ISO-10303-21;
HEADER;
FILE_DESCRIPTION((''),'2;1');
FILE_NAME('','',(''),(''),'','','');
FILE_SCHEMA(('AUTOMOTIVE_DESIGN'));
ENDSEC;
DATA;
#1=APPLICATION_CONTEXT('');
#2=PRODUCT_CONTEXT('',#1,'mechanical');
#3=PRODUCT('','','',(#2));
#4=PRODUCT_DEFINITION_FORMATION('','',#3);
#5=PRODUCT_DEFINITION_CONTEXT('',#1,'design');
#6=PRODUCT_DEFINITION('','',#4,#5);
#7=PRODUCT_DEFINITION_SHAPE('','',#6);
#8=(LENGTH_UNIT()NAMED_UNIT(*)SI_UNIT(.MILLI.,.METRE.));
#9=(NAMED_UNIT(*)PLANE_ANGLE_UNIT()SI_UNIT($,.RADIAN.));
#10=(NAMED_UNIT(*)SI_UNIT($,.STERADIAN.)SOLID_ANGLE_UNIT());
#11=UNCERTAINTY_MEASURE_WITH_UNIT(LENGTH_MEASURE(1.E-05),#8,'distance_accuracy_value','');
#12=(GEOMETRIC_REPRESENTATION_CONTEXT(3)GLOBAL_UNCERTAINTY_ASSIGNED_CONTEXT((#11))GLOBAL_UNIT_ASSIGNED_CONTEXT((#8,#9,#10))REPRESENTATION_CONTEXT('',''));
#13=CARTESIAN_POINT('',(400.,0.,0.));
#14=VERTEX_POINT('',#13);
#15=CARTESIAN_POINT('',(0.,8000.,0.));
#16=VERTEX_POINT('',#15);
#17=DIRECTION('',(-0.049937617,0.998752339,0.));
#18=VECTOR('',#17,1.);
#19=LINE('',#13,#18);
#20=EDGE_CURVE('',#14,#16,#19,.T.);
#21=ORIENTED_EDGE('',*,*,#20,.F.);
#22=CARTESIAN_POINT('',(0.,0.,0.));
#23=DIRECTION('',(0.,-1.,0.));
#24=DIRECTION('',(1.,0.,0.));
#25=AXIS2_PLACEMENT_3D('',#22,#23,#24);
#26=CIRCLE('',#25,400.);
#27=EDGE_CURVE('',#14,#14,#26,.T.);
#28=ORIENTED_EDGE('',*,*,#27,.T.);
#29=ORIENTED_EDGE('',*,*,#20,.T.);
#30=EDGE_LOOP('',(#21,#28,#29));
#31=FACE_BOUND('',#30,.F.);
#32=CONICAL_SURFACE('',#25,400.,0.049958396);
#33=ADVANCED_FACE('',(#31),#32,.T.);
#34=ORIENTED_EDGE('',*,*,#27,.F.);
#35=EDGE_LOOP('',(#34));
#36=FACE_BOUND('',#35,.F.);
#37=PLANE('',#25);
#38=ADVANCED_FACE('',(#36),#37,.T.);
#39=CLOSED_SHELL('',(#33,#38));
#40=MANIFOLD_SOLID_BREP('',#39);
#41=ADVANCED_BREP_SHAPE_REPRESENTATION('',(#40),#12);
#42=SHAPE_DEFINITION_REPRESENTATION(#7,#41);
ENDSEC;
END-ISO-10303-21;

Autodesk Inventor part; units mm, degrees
ref_plane "YZ Plane" through (0, 0, 0) normal (1, 0, 0) x (0, 1, 0)
ref_plane "XZ Plane" through (0, 0, 0) normal (0, 1, 0) x (-1, 0, 0)
ref_plane "XY Plane" through (0, 0, 0) normal (0, 0, 1) x (1, 0, 0)
sketch "Sketch1" plane through (0, 0, 0) normal (0, 0, 1) x (1, 0, 0)
  line L0 (0, 0) -> (400, 0)
  line L1 (400, 0) -> (0, 8000)
  line L2 (0, 8000) -> (0, 0)
  dimension "d0" = 8000
  dimension "d1" = 400
  dimension "d2" = 8000
revolve "Revolution1" add sketch "Sketch1" angle 360 about axis through (0, 8000, 0) along (0, -1, 0)
properties part number "trianglef" material "Wood (Maple)"
